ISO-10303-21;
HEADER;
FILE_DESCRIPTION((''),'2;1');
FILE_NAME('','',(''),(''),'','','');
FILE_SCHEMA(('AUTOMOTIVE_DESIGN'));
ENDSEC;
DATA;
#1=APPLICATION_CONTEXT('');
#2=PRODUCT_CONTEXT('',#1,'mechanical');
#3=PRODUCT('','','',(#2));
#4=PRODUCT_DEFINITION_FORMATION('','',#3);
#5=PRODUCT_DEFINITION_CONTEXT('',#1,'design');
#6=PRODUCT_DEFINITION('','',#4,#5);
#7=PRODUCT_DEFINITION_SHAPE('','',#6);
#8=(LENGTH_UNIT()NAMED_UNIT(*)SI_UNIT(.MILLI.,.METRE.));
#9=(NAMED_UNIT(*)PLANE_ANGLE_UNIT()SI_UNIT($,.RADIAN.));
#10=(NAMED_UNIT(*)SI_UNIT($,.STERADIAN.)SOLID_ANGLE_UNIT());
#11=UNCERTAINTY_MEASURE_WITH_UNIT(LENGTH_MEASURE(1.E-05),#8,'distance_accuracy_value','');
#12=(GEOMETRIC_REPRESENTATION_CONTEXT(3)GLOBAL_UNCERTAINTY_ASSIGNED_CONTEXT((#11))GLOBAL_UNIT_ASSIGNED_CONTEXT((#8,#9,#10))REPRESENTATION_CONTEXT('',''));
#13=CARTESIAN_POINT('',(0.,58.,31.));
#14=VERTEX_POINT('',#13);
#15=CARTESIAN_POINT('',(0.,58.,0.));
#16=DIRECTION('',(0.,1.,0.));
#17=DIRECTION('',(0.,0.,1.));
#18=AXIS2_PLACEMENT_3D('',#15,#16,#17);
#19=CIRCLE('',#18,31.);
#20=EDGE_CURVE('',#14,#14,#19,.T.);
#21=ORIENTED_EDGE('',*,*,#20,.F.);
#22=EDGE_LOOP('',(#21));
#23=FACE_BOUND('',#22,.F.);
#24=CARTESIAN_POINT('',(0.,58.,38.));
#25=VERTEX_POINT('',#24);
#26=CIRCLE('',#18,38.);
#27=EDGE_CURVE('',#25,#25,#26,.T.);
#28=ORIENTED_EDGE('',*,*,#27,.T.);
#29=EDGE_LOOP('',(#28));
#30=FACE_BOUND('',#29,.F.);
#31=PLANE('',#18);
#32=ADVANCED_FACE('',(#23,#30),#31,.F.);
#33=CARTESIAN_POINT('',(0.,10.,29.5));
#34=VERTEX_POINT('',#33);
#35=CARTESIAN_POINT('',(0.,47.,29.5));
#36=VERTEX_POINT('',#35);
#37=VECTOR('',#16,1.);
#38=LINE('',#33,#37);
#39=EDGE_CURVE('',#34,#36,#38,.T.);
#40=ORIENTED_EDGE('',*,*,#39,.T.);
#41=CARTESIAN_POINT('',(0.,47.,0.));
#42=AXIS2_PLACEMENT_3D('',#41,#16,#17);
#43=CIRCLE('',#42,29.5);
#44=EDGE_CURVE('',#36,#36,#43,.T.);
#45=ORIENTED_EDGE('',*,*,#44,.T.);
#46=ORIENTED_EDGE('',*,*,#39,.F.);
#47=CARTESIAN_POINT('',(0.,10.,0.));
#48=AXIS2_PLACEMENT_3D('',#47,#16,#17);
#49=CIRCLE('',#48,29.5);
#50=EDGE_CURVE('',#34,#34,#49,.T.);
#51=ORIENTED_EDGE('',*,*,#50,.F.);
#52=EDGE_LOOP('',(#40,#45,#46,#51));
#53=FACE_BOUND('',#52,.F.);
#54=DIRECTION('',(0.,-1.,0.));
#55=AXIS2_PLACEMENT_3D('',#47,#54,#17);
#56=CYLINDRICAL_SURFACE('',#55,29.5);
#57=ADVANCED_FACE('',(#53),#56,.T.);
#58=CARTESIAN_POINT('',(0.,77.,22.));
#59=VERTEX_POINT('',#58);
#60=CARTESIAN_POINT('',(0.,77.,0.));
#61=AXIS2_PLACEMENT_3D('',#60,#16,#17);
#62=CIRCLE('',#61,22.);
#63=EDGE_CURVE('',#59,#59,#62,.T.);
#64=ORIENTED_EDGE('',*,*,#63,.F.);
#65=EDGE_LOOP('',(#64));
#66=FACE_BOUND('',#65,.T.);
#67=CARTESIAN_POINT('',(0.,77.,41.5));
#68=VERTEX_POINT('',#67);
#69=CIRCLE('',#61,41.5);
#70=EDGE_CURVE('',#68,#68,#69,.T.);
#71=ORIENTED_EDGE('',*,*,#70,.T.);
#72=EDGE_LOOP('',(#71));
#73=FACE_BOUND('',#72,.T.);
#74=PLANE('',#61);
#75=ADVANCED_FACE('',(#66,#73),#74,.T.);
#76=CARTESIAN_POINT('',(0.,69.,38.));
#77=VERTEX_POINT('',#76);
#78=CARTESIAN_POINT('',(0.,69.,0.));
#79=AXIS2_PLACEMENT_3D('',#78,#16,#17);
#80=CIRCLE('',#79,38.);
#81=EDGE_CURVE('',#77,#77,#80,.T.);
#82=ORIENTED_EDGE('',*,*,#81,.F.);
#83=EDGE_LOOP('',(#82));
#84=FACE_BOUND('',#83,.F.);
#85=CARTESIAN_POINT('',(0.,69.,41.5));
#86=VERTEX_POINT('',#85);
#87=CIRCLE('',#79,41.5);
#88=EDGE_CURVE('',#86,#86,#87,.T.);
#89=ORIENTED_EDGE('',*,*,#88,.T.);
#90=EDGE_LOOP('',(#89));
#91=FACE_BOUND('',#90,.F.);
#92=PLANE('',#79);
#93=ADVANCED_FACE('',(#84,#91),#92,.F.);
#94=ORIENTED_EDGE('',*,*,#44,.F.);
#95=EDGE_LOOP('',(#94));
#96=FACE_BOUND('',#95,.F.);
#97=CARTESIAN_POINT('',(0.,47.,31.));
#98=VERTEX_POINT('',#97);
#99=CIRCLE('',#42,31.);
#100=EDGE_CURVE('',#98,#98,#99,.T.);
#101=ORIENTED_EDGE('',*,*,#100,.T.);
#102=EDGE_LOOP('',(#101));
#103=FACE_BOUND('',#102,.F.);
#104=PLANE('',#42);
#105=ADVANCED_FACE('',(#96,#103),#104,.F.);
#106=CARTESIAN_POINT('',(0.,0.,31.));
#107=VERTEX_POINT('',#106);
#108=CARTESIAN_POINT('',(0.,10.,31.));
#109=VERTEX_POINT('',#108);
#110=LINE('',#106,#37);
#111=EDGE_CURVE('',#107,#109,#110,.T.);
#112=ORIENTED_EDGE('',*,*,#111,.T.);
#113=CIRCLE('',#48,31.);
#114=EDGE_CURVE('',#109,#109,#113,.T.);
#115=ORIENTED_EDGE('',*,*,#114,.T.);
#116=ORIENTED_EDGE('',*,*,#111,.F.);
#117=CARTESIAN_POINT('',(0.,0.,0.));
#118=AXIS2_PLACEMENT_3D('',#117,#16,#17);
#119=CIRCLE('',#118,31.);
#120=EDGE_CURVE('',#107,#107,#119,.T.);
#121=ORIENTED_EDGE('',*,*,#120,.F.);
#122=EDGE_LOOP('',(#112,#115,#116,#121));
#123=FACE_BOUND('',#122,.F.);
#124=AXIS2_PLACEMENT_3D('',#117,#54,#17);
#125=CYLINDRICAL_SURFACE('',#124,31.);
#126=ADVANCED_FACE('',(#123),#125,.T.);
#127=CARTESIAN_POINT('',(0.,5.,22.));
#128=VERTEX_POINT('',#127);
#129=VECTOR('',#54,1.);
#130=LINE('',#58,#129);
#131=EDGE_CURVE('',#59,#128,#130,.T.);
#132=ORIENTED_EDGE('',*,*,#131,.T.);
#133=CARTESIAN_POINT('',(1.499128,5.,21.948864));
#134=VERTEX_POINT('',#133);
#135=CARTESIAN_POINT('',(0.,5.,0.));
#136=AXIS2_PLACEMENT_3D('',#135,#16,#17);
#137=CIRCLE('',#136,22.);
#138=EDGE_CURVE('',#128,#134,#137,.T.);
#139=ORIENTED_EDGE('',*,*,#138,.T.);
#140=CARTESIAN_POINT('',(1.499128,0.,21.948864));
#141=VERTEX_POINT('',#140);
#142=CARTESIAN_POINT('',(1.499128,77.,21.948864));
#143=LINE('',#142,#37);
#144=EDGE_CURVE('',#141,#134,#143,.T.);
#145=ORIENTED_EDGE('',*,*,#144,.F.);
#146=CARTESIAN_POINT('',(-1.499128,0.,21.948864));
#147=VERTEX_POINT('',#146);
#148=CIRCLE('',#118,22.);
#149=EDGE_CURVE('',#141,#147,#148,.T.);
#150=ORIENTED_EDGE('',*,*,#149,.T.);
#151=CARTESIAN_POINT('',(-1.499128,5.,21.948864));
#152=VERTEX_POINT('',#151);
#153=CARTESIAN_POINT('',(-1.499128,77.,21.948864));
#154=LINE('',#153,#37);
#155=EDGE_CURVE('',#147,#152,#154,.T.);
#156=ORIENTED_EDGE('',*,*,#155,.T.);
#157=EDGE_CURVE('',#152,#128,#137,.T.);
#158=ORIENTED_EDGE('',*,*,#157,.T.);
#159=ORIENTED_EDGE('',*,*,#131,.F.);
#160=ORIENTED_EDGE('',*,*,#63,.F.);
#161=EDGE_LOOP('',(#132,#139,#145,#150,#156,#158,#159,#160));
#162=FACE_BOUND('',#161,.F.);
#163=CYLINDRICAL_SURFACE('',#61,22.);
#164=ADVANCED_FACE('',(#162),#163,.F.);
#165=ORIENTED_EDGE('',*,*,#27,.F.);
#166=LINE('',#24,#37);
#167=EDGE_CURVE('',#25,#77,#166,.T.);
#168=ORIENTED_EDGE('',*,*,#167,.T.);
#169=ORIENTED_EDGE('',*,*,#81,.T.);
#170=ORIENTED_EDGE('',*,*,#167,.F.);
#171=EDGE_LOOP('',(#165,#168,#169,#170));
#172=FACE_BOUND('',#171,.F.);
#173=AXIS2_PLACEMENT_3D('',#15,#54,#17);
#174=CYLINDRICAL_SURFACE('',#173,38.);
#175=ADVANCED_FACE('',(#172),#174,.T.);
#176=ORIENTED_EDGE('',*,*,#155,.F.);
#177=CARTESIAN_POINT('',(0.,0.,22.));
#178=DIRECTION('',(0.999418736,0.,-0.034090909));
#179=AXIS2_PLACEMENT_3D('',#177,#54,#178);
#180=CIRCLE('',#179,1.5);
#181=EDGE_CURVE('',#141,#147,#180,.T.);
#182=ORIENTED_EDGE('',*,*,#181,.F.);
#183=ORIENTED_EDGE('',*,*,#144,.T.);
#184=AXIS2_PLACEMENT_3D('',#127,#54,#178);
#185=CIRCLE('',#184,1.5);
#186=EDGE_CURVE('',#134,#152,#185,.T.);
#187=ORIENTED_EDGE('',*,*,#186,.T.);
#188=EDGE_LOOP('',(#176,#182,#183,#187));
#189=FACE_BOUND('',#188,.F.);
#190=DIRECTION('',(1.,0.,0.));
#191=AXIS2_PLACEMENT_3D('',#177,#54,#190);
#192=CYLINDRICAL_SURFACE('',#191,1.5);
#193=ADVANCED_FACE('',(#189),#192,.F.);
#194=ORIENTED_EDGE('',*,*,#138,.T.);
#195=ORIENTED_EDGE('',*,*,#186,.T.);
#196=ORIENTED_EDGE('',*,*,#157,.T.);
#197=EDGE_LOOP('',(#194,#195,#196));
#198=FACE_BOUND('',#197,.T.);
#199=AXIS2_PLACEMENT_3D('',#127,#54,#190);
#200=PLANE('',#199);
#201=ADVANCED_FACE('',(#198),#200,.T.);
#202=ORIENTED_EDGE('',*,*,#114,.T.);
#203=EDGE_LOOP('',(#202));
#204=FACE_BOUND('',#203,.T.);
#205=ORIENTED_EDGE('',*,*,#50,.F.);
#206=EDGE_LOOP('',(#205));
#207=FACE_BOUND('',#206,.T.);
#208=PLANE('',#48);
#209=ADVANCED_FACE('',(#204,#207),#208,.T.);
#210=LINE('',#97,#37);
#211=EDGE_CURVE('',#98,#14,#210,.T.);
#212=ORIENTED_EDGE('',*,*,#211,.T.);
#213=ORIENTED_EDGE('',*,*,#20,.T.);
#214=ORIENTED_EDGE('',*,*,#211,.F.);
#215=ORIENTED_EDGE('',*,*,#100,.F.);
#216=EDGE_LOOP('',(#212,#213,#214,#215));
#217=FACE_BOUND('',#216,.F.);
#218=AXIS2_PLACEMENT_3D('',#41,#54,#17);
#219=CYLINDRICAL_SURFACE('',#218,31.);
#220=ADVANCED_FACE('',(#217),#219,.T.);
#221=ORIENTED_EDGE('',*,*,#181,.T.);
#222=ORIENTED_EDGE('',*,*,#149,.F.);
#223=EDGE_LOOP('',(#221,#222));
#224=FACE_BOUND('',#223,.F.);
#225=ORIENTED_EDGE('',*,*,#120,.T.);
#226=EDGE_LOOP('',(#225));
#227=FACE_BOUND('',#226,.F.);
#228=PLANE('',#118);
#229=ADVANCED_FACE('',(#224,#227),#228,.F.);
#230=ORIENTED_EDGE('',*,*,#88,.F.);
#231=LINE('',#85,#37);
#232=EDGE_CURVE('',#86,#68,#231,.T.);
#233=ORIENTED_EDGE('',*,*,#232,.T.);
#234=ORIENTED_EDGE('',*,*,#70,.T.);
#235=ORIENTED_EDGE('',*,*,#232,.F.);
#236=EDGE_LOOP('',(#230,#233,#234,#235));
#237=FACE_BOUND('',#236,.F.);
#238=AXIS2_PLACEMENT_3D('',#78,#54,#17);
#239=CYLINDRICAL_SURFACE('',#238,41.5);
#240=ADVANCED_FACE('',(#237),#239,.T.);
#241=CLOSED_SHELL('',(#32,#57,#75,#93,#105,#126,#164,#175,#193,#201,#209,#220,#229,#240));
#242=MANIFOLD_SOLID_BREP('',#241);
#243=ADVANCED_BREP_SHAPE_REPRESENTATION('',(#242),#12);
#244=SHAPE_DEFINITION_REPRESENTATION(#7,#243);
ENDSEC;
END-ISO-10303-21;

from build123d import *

# Parameters (mm, degrees)
SKETCH1_R           = 31
BOSS_EXTRUDE1_DEPTH = 10
SKETCH2_R           = 29.5
BOSS_EXTRUDE2_DEPTH = 37
SKETCH4_R           = 31
BOSS_EXTRUDE3_DEPTH = 11
SKETCH5_R           = 38
BOSS_EXTRUDE4_DEPTH = 11
SKETCH6_R           = 41.5
BOSS_EXTRUDE5_DEPTH = 8
SKETCH7_R           = 22
CUT_EXTRUDE1_DEPTH  = 78
SKETCH10_R          = 1.5
CUT_EXTRUDE2_DEPTH  = 5


with BuildPart() as part:
    # Sketch1 → Boss-Extrude1 (new body)
    with BuildSketch(Plane(origin=(0, 0, 0), x_dir=(1, 0, 0), z_dir=(0, 1, 0))):
        with Locations(Location((0, 0, 0), (0, 0, 270))):  # turned: the seam where the file's is
            Circle(SKETCH1_R)
    extrude(amount=BOSS_EXTRUDE1_DEPTH)

    # Sketch2 → Boss-Extrude2 (add)
    with BuildSketch(Plane(origin=(0, 10, 0), x_dir=(1, 0, 0), z_dir=(0, 1, 0))):
        with Locations(Location((0, 0, 0), (0, 0, 270))):  # turned: the seam where the file's is
            Circle(SKETCH2_R)
    extrude(amount=BOSS_EXTRUDE2_DEPTH)

    # Sketch4 → Boss-Extrude3 (add)
    with BuildSketch(Plane(origin=(0, 47, 0), x_dir=(1, 0, 0), z_dir=(0, 1, 0))):
        with Locations(Location((0, 0, 0), (0, 0, 270))):  # turned: the seam where the file's is
            Circle(SKETCH4_R)
    extrude(amount=BOSS_EXTRUDE3_DEPTH)

    # Sketch5 → Boss-Extrude4 (add)
    with BuildSketch(Plane(origin=(0, 58, 0), x_dir=(1, 0, 0), z_dir=(0, 1, 0))):
        with Locations(Location((0, 0, 0), (0, 0, 270))):  # turned: the seam where the file's is
            Circle(SKETCH5_R)
    extrude(amount=BOSS_EXTRUDE4_DEPTH)

    # Sketch6 → Boss-Extrude5 (add)
    with BuildSketch(Plane(origin=(0, 69, 0), x_dir=(1, 0, 0), z_dir=(0, 1, 0))):
        with Locations(Location((0, 0, 0), (0, 0, 270))):  # turned: the seam where the file's is
            Circle(SKETCH6_R)
    extrude(amount=BOSS_EXTRUDE5_DEPTH)

    # Sketch7 → Cut-Extrude1 (cut, through all)
    with BuildSketch(Plane(origin=(0, 77, 0), x_dir=(1, 0, 0), z_dir=(0, 1, 0))):
        with Locations(Location((0, 0, 0), (0, 0, 270))):  # turned: the seam where the file's is
            Circle(SKETCH7_R)
    extrude(amount=-CUT_EXTRUDE1_DEPTH, mode=Mode.SUBTRACT)

    # Sketch10 → Cut-Extrude2 (cut)
    with BuildSketch(Plane.XZ):
        with Locations((0, 22)):
            Circle(SKETCH10_R)
    extrude(amount=-CUT_EXTRUDE2_DEPTH, mode=Mode.SUBTRACT)


solid = part.part
